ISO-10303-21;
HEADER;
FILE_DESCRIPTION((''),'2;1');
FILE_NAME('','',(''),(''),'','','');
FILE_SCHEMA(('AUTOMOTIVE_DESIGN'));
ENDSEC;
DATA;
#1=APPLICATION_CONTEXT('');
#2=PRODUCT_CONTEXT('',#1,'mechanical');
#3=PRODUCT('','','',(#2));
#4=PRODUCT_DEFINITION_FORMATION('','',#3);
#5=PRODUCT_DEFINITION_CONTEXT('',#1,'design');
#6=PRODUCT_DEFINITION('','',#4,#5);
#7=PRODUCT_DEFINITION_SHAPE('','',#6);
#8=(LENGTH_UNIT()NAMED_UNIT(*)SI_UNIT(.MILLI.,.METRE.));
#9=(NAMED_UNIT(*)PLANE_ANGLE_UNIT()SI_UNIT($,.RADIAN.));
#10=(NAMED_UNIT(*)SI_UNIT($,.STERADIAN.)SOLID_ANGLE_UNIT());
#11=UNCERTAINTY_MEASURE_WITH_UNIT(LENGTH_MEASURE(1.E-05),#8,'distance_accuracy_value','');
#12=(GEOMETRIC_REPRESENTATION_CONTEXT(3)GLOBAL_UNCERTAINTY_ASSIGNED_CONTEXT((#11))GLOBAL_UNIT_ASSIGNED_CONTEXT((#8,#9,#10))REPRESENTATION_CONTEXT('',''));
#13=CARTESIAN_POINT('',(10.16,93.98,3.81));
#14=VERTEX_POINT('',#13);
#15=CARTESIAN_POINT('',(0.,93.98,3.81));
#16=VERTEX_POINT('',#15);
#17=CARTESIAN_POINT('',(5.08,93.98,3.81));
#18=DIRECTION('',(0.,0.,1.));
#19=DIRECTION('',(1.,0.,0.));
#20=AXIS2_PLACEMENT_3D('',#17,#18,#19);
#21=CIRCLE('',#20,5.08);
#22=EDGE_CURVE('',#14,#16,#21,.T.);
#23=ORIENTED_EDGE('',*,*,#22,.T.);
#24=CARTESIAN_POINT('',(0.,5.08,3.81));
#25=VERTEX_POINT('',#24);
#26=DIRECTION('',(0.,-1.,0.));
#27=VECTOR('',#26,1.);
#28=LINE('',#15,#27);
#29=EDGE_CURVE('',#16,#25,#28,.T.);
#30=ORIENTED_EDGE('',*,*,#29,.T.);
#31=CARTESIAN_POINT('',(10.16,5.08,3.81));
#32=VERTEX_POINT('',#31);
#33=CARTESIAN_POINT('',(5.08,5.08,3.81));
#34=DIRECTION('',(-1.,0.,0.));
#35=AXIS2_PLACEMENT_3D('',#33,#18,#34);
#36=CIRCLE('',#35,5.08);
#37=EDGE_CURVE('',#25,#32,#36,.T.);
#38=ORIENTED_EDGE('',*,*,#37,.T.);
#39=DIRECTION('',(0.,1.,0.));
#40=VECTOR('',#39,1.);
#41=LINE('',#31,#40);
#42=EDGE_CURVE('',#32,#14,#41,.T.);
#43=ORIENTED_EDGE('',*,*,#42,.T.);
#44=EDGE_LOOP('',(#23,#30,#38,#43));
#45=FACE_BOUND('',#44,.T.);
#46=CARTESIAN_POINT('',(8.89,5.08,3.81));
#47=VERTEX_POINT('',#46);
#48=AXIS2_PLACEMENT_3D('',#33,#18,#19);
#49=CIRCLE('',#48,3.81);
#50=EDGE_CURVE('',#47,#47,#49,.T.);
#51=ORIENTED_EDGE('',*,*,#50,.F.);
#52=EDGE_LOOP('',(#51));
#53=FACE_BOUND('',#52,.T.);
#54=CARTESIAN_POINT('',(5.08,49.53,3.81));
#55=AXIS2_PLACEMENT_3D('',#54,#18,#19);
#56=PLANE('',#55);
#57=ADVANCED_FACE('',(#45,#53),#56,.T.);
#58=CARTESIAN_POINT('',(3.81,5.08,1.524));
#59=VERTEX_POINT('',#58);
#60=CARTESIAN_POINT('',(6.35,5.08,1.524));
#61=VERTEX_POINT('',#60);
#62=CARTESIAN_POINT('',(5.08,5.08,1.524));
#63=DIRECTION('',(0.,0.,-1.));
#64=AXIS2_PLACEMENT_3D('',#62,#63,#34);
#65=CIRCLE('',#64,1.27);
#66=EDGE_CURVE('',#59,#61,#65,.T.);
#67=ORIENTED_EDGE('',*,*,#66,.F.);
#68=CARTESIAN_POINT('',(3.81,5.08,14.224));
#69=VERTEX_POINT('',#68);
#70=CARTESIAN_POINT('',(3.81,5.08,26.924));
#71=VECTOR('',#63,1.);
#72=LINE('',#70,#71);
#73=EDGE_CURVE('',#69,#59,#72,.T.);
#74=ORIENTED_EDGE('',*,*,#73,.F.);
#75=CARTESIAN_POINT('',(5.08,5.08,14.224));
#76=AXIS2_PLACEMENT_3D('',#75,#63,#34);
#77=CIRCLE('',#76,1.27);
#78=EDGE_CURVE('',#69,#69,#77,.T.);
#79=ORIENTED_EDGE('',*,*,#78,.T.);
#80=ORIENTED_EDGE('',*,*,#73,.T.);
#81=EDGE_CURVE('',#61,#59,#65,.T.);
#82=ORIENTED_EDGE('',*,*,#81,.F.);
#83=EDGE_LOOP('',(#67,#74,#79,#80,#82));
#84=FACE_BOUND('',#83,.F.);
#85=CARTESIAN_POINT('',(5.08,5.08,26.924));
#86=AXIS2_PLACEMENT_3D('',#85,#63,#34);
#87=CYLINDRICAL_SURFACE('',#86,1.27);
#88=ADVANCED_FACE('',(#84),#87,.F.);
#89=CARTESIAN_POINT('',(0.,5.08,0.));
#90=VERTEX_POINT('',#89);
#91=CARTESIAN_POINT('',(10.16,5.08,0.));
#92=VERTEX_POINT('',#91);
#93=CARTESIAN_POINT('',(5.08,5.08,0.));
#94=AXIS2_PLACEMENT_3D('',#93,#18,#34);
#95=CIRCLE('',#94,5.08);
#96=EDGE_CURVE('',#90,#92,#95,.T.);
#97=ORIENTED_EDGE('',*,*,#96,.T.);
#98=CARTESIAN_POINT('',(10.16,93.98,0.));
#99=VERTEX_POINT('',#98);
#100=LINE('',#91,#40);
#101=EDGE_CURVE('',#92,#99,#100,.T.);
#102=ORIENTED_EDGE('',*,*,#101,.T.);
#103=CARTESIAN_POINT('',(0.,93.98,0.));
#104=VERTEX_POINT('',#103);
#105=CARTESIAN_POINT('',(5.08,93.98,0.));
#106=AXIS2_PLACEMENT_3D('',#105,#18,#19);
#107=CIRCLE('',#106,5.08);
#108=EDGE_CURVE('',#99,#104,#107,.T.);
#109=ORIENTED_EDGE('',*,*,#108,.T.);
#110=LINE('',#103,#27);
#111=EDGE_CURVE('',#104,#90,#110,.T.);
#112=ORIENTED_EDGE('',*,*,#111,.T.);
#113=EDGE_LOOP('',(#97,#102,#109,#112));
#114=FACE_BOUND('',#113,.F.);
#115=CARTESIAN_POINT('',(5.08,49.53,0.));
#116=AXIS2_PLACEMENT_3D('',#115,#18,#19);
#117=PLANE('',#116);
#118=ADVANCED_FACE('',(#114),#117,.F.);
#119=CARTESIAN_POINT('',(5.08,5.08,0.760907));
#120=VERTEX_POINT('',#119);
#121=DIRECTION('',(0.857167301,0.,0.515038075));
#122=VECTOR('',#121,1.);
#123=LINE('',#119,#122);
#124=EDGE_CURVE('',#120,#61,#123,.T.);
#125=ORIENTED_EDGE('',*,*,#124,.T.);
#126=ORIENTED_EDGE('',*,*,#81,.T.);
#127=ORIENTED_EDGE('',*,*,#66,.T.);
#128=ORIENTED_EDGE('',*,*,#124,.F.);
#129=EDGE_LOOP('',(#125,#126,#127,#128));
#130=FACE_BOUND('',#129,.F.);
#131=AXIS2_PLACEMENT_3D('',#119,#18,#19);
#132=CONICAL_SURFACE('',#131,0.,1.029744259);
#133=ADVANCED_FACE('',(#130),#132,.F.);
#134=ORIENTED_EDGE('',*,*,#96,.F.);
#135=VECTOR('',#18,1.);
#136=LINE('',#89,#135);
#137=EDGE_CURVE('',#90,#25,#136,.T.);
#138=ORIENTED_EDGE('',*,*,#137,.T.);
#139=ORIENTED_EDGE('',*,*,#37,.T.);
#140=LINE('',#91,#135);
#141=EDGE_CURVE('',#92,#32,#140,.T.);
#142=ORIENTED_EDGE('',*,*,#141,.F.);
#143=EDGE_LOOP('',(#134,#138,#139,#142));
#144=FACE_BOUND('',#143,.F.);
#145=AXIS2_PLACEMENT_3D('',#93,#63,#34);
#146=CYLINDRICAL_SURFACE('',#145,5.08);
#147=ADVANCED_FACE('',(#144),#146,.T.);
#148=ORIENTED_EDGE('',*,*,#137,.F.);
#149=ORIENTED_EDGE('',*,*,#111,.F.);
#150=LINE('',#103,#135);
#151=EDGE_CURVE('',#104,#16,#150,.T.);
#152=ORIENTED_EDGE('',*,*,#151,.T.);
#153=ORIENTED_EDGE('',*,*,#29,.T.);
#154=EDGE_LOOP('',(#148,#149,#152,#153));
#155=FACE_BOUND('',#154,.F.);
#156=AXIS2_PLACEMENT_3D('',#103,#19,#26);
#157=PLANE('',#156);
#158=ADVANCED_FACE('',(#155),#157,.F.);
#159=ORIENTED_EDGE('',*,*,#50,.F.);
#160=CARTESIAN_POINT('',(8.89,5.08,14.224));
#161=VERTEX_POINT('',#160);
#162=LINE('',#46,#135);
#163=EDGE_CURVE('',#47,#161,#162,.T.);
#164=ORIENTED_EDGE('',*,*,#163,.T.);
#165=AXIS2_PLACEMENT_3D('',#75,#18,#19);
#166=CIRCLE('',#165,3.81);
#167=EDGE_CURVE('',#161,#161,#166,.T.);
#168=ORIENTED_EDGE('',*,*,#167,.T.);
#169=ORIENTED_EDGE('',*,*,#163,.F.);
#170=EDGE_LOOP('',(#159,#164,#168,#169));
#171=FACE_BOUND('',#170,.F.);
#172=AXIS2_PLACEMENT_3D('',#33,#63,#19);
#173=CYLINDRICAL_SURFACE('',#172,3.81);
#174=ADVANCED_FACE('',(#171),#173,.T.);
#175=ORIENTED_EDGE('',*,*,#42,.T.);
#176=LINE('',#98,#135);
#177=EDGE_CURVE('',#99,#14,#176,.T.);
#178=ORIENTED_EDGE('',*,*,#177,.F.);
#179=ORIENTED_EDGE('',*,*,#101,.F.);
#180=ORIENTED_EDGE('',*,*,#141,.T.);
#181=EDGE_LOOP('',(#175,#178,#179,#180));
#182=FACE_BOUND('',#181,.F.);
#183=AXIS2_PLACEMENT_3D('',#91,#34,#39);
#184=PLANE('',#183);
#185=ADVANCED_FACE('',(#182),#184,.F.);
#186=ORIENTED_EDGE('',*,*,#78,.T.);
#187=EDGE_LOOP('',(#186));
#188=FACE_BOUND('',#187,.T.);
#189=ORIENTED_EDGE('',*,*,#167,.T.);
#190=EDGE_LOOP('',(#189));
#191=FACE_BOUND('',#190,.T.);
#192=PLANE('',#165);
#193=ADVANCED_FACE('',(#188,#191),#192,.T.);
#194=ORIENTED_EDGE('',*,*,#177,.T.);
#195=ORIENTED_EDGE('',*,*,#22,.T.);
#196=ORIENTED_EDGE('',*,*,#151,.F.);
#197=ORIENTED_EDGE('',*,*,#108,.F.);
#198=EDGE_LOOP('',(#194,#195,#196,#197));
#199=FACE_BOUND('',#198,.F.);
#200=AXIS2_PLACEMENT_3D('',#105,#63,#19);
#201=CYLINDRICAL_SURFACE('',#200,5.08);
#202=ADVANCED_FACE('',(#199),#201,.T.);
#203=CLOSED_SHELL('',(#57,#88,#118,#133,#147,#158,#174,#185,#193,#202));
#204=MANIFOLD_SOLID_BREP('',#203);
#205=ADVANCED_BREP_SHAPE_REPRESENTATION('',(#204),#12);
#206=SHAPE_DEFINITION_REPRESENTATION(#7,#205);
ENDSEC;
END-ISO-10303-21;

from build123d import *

# Parameters (mm, degrees)
F1_DEPTH = 3.81
F2_R     = 3.81
F3_DEPTH = 10.414
F5_D     = 2.54
F5_DEPTH = 12.7
F5_TIP   = 0.7630929862


with BuildPart() as f1:
    # F0 (on Top) → F1 (new body)
    with BuildSketch(Plane.XY):
        with BuildLine():
            Line((0, 93.98), (0, 5.08))
            ThreePointArc((0, 5.08), (5.08, 0), (10.16, 5.08))
            Line((10.16, 5.08), (10.16, 93.98))
            ThreePointArc((10.16, 93.98), (5.08, 99.06), (0, 93.98))
        make_face()
    extrude(amount=F1_DEPTH)

    # F2 (on face) → F3 (join)
    with BuildSketch(Plane.XY.offset(3.81)):
        with Locations((5.08, 5.08)):
            Circle(F2_R)
    extrude(amount=F3_DEPTH)

    # F5
    with Locations(Plane.XY.offset(14.224)):
        with Locations((5.08, 5.08)):
            Hole(F5_D / 2, depth=F5_DEPTH)
            with Locations((0, 0, -(F5_DEPTH + F5_TIP / 2))):  # 118° drill point
                Cone(0, F5_D / 2, F5_TIP, mode=Mode.SUBTRACT)


solid = f1.part
